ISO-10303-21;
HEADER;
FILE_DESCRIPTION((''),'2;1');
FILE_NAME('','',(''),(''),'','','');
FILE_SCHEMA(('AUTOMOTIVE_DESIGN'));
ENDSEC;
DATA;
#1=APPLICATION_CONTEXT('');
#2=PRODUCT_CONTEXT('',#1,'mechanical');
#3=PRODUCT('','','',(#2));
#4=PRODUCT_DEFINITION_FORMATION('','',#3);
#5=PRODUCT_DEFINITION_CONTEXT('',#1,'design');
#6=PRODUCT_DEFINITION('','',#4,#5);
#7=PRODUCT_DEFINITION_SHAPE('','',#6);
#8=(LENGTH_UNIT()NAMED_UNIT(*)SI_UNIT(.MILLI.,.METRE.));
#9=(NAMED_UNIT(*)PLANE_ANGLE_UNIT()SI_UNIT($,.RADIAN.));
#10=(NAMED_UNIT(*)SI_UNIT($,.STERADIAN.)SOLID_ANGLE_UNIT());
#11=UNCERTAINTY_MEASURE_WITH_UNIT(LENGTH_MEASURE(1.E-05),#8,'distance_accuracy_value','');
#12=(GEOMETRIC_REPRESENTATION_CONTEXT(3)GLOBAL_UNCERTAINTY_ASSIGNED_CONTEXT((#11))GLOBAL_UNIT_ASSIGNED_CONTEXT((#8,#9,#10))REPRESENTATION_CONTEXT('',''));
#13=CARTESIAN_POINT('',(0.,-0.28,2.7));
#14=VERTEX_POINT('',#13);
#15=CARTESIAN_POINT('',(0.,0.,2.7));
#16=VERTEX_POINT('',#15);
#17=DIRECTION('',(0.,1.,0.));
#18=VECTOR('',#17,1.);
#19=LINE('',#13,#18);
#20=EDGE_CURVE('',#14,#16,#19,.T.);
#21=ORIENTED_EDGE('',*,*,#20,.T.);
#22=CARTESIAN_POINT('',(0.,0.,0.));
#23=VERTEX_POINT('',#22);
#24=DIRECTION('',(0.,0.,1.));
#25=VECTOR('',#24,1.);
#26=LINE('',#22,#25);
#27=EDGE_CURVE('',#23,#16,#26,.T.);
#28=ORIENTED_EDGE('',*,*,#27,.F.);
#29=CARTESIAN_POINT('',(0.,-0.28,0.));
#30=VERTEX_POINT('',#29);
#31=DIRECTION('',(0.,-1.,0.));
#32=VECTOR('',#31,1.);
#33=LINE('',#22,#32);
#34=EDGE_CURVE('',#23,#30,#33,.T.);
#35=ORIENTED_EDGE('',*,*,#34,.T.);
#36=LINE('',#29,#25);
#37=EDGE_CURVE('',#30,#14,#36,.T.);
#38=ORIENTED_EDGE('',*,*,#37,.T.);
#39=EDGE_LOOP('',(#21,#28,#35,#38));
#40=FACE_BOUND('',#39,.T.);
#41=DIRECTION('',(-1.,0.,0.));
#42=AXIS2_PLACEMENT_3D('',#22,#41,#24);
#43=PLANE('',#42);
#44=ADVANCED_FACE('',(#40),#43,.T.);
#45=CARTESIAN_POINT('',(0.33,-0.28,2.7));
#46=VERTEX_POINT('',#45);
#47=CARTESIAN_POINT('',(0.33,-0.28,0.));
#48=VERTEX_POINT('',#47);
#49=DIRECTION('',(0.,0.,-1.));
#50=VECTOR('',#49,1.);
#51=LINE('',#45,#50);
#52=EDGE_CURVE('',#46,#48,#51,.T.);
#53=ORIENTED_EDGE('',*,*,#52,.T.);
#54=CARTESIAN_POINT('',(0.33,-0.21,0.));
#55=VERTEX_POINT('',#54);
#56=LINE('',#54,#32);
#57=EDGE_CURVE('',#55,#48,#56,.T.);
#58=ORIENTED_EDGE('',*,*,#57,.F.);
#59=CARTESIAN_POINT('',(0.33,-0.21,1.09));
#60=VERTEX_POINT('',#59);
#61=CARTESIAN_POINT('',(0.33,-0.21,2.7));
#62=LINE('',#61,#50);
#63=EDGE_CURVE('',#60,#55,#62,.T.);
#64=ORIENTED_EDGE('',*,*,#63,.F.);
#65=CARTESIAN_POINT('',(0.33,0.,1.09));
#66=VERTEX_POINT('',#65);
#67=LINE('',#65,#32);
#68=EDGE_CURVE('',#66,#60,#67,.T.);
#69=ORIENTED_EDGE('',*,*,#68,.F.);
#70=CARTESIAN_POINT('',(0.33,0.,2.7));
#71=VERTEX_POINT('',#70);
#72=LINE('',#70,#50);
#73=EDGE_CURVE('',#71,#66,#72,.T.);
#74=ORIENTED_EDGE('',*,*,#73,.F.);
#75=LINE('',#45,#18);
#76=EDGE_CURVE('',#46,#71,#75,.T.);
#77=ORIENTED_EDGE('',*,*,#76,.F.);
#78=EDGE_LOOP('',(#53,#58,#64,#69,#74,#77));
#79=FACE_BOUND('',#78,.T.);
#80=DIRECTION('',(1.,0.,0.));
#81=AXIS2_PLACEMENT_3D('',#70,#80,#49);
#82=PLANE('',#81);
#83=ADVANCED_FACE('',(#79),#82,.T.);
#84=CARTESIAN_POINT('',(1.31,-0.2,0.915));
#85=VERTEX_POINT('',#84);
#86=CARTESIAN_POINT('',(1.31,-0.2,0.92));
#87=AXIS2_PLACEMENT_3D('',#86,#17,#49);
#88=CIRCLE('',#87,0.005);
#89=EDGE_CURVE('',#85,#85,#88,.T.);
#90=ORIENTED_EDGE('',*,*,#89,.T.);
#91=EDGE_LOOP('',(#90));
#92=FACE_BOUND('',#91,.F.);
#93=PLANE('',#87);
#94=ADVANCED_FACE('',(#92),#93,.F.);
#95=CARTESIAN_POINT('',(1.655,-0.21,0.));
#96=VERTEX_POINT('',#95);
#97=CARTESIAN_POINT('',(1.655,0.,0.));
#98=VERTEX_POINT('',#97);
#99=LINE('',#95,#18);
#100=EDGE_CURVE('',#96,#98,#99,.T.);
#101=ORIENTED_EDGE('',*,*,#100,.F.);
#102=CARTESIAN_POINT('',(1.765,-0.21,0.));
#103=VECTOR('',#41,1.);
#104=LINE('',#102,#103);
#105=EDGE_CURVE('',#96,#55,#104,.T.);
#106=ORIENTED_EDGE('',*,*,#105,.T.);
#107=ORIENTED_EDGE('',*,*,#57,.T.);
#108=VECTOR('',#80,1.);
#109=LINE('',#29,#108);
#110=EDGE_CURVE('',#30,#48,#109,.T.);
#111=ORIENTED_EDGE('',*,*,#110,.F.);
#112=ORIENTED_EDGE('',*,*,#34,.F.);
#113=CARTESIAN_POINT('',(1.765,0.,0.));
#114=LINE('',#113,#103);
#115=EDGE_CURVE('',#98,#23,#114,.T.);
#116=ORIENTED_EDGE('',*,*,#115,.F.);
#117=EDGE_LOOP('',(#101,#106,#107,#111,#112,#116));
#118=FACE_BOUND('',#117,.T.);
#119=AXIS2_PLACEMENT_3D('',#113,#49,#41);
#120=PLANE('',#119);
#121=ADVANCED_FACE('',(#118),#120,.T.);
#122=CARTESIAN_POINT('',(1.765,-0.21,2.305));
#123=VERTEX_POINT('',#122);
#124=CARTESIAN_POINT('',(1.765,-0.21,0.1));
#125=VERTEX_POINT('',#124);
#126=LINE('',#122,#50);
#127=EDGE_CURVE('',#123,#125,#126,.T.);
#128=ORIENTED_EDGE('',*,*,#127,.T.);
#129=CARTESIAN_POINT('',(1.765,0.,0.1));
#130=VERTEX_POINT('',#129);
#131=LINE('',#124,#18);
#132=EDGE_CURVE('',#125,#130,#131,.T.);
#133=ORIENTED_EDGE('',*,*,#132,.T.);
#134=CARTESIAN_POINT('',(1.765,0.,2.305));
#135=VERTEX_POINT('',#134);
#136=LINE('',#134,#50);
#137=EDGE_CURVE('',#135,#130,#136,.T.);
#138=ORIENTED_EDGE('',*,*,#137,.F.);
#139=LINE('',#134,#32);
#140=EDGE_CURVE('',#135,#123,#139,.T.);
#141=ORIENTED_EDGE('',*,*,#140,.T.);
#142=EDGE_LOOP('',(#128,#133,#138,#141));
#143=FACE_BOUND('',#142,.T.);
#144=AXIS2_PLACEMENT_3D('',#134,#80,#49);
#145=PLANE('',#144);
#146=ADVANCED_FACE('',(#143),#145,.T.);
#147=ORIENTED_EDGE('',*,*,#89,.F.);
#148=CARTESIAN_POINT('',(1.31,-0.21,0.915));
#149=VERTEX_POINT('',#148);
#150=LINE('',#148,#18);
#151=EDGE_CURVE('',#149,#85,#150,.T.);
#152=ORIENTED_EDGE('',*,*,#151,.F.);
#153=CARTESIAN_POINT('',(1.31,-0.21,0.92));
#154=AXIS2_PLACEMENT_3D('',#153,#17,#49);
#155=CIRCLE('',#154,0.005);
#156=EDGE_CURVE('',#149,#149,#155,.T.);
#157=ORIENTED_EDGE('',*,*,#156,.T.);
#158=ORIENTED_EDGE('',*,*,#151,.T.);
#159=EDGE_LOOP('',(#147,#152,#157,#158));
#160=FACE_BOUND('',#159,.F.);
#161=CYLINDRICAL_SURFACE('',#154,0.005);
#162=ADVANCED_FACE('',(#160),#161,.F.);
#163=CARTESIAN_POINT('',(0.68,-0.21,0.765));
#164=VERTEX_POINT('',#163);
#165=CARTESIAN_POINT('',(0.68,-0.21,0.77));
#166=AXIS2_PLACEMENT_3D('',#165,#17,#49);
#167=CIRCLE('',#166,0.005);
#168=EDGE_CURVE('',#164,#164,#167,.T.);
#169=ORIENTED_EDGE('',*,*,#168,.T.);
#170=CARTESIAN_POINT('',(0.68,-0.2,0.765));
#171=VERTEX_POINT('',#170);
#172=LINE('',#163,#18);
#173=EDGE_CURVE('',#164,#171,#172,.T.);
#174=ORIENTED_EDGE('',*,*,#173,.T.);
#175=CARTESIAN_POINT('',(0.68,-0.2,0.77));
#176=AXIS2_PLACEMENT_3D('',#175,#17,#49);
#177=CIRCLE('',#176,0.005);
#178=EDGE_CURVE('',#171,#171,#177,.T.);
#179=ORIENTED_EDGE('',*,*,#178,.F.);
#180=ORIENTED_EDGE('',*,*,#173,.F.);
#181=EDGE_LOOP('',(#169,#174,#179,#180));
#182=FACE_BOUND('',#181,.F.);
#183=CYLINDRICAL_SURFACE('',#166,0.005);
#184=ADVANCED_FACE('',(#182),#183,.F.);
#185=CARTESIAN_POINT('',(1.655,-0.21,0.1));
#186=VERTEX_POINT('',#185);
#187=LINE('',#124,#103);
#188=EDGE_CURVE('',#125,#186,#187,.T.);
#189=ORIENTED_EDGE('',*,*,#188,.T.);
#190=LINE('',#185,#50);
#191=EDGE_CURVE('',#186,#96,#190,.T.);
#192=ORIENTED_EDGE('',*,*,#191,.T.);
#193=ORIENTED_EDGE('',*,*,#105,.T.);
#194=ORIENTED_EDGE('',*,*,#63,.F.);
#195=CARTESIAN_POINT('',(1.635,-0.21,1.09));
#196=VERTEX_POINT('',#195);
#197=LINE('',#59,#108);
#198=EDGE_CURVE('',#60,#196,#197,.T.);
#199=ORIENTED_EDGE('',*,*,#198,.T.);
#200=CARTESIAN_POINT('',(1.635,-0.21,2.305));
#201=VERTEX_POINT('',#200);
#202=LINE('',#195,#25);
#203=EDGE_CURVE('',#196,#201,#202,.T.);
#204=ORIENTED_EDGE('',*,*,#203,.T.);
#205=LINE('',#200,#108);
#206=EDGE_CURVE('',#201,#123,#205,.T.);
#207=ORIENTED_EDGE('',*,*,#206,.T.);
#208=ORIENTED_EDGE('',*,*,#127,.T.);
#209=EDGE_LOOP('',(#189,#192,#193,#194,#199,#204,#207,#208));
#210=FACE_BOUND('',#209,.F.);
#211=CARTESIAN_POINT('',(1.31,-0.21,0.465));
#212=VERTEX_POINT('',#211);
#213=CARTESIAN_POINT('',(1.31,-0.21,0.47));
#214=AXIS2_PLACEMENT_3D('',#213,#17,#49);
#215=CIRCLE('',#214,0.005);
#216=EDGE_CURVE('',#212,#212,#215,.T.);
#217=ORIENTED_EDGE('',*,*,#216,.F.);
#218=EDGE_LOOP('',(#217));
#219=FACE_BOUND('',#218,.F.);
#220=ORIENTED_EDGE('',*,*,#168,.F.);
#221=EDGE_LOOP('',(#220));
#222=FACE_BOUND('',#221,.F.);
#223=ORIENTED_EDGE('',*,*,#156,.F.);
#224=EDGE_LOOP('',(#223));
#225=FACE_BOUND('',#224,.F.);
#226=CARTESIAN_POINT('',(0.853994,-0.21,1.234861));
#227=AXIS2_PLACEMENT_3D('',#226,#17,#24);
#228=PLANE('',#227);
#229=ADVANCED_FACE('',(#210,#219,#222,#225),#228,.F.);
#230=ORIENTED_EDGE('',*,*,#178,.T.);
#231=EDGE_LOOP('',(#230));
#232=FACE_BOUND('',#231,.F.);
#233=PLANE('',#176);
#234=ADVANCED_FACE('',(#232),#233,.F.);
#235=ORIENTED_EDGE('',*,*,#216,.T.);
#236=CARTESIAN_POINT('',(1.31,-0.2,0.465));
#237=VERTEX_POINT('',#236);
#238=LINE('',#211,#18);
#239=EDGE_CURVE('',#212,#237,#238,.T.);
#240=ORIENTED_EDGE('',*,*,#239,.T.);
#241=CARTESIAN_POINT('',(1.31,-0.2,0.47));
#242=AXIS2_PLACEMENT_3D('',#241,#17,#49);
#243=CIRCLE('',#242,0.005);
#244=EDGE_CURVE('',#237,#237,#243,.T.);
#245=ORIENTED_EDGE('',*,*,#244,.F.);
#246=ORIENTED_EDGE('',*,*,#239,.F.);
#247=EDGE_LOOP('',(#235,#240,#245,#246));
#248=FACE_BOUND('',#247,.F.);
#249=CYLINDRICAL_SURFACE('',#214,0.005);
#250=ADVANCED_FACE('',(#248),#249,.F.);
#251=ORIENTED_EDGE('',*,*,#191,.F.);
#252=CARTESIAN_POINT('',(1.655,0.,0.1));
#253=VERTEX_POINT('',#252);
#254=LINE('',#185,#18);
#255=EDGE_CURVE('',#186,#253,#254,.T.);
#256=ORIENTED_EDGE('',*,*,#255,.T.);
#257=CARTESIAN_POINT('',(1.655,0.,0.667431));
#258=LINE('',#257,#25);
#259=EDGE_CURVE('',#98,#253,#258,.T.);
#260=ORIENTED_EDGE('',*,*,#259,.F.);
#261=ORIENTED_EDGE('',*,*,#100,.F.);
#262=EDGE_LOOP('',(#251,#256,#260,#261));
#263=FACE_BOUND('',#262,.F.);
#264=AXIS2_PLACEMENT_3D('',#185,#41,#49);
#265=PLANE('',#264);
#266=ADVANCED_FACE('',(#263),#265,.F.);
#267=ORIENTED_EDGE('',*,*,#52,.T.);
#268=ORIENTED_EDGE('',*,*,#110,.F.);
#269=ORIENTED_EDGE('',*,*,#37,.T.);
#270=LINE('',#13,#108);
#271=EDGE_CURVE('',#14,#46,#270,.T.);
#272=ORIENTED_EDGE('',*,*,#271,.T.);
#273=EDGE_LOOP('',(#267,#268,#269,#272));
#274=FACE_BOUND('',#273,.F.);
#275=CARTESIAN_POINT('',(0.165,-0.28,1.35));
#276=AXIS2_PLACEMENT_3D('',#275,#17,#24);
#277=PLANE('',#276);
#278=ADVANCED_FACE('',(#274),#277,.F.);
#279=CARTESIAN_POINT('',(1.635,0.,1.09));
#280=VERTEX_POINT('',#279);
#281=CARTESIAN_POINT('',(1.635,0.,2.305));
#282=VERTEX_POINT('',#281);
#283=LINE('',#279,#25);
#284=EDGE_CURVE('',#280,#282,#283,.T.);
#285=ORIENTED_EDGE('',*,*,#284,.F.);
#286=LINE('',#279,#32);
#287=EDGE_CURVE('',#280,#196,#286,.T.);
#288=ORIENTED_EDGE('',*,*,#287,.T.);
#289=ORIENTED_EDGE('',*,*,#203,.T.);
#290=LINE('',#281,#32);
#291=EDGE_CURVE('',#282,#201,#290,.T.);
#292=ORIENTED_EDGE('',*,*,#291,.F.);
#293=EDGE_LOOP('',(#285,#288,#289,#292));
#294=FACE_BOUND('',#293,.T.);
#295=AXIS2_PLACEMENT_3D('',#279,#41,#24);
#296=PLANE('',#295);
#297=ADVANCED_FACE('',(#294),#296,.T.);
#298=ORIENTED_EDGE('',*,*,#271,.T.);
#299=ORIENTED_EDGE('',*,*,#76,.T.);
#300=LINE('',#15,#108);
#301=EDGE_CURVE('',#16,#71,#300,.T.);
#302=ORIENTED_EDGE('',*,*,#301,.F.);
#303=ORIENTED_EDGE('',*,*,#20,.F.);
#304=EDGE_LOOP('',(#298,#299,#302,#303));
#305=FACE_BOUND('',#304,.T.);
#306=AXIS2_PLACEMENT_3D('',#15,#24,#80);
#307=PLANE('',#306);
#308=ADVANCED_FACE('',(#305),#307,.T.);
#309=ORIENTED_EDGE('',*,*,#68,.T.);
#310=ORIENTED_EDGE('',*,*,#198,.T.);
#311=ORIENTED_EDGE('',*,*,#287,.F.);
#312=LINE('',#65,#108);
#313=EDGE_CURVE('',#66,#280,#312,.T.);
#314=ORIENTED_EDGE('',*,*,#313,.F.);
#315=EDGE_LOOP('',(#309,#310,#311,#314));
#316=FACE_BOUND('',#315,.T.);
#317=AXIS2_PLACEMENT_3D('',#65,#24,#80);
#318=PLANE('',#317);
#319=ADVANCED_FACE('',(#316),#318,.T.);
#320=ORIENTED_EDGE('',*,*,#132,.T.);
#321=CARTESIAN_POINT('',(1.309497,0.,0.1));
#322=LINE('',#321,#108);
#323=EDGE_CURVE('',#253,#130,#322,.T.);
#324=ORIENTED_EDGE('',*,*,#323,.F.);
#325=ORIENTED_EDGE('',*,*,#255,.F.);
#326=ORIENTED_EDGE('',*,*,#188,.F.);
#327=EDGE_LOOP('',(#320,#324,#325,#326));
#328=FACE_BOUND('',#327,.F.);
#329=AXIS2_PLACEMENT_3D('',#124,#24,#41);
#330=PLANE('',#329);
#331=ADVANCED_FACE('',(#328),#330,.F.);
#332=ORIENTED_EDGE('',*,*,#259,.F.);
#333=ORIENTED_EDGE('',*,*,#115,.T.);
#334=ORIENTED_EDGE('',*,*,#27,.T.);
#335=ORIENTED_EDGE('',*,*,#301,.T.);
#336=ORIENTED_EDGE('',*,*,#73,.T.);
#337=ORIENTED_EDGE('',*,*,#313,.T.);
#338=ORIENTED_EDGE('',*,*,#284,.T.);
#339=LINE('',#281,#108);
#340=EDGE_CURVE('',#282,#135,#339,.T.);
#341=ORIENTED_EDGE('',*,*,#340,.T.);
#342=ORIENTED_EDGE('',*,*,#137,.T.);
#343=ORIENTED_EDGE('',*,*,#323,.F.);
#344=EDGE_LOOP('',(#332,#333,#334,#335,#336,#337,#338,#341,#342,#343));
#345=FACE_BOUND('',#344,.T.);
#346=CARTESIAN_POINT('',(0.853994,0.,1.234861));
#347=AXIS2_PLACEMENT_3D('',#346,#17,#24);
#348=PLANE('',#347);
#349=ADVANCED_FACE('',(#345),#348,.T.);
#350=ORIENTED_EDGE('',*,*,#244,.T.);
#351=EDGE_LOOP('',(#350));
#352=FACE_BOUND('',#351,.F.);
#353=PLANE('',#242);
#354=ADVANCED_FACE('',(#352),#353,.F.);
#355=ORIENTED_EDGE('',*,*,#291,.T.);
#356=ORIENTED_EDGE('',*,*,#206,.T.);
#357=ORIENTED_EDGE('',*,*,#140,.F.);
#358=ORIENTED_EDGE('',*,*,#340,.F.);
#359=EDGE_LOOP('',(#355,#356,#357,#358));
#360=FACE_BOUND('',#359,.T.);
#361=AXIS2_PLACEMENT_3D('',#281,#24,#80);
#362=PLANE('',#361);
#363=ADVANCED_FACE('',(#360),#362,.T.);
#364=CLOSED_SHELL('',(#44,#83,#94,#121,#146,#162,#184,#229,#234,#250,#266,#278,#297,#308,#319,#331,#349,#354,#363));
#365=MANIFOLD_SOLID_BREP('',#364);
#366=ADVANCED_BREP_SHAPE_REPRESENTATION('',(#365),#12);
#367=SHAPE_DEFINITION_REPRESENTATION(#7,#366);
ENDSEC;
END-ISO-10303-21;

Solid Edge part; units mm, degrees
sketch "Sketch1" plane through (0, 0, 0) normal (0, -1, 0) x (1, 0, 0)
  line L0 (0, 0) -> (0, 2.7)
  line L1 (0, 2.7) -> (0.33, 2.7)
  line L2 (0.33, 2.7) -> (0.33, 1.09)
  line L3 (0.33, 1.09) -> (1.635, 1.09)
  line L4 (1.635, 1.09) -> (1.635, 2.305)
  line L5 (1.635, 2.305) -> (1.765, 2.305)
  line L6 (1.765, 2.305) -> (1.765, 0)
  line L7 (1.765, 0) -> (0, 0)
  dimension "D1" = 2.7
  dimension "D2" = 0.33
  dimension "D3" = 1.765
  dimension "D4" = 0.13
  dimension "D5" = 2.305
  dimension "D6" = 1.09
extrude "Protrusion1" add sketch "Sketch1" along normal blind 0.21
sketch "Sketch2" plane through (0.75, -0.21, 1.35) normal (0, -1, 0) x (0, 0, 1)
  line L0 (-1.35, 0.75) -> (1.35, 0.75)
  line L1 (1.35, 0.75) -> (1.35, 0.42)
  line L2 (1.35, 0.42) -> (-1.35, 0.42)
  line L3 (-1.35, 0.75) -> (-1.35, 0.42)
extrude "Ausprägung_2" add sketch "Sketch2" along normal blind 0.07
hole "Bohrung_1" at (1.31, -0.21, 0.92) direction (0, 1, 0) diameter 0.01 depth 0.01
hole "Hole1" at (1.31, -0.21, 0.47) direction (0, 1, 0) diameter 0.01 depth 0.01
hole "Hole2" at (0.68, -0.21, 0.77) direction (0, 1, 0) diameter 0.01 depth 0.01
sketch "Sketch3" plane through (1.0475, -0.21, 1.1525) normal (0, -1, 0) x (1, 0, 0)
  line L0 (0.7175, -1.0525) -> (0.7175, -1.1525)
  line L1 (0.7175, -1.1525) -> (0.6075, -1.1525)
  line L2 (0.6075, -1.0525) -> (0.6075, -1.1525)
  line L3 (0.7175, -1.0525) -> (0.6075, -1.0525)
  dimension "D1" = 0.1
  dimension "D2" = 0.11
extrude "Cutout1" cut sketch "Sketch3" against normal through all
